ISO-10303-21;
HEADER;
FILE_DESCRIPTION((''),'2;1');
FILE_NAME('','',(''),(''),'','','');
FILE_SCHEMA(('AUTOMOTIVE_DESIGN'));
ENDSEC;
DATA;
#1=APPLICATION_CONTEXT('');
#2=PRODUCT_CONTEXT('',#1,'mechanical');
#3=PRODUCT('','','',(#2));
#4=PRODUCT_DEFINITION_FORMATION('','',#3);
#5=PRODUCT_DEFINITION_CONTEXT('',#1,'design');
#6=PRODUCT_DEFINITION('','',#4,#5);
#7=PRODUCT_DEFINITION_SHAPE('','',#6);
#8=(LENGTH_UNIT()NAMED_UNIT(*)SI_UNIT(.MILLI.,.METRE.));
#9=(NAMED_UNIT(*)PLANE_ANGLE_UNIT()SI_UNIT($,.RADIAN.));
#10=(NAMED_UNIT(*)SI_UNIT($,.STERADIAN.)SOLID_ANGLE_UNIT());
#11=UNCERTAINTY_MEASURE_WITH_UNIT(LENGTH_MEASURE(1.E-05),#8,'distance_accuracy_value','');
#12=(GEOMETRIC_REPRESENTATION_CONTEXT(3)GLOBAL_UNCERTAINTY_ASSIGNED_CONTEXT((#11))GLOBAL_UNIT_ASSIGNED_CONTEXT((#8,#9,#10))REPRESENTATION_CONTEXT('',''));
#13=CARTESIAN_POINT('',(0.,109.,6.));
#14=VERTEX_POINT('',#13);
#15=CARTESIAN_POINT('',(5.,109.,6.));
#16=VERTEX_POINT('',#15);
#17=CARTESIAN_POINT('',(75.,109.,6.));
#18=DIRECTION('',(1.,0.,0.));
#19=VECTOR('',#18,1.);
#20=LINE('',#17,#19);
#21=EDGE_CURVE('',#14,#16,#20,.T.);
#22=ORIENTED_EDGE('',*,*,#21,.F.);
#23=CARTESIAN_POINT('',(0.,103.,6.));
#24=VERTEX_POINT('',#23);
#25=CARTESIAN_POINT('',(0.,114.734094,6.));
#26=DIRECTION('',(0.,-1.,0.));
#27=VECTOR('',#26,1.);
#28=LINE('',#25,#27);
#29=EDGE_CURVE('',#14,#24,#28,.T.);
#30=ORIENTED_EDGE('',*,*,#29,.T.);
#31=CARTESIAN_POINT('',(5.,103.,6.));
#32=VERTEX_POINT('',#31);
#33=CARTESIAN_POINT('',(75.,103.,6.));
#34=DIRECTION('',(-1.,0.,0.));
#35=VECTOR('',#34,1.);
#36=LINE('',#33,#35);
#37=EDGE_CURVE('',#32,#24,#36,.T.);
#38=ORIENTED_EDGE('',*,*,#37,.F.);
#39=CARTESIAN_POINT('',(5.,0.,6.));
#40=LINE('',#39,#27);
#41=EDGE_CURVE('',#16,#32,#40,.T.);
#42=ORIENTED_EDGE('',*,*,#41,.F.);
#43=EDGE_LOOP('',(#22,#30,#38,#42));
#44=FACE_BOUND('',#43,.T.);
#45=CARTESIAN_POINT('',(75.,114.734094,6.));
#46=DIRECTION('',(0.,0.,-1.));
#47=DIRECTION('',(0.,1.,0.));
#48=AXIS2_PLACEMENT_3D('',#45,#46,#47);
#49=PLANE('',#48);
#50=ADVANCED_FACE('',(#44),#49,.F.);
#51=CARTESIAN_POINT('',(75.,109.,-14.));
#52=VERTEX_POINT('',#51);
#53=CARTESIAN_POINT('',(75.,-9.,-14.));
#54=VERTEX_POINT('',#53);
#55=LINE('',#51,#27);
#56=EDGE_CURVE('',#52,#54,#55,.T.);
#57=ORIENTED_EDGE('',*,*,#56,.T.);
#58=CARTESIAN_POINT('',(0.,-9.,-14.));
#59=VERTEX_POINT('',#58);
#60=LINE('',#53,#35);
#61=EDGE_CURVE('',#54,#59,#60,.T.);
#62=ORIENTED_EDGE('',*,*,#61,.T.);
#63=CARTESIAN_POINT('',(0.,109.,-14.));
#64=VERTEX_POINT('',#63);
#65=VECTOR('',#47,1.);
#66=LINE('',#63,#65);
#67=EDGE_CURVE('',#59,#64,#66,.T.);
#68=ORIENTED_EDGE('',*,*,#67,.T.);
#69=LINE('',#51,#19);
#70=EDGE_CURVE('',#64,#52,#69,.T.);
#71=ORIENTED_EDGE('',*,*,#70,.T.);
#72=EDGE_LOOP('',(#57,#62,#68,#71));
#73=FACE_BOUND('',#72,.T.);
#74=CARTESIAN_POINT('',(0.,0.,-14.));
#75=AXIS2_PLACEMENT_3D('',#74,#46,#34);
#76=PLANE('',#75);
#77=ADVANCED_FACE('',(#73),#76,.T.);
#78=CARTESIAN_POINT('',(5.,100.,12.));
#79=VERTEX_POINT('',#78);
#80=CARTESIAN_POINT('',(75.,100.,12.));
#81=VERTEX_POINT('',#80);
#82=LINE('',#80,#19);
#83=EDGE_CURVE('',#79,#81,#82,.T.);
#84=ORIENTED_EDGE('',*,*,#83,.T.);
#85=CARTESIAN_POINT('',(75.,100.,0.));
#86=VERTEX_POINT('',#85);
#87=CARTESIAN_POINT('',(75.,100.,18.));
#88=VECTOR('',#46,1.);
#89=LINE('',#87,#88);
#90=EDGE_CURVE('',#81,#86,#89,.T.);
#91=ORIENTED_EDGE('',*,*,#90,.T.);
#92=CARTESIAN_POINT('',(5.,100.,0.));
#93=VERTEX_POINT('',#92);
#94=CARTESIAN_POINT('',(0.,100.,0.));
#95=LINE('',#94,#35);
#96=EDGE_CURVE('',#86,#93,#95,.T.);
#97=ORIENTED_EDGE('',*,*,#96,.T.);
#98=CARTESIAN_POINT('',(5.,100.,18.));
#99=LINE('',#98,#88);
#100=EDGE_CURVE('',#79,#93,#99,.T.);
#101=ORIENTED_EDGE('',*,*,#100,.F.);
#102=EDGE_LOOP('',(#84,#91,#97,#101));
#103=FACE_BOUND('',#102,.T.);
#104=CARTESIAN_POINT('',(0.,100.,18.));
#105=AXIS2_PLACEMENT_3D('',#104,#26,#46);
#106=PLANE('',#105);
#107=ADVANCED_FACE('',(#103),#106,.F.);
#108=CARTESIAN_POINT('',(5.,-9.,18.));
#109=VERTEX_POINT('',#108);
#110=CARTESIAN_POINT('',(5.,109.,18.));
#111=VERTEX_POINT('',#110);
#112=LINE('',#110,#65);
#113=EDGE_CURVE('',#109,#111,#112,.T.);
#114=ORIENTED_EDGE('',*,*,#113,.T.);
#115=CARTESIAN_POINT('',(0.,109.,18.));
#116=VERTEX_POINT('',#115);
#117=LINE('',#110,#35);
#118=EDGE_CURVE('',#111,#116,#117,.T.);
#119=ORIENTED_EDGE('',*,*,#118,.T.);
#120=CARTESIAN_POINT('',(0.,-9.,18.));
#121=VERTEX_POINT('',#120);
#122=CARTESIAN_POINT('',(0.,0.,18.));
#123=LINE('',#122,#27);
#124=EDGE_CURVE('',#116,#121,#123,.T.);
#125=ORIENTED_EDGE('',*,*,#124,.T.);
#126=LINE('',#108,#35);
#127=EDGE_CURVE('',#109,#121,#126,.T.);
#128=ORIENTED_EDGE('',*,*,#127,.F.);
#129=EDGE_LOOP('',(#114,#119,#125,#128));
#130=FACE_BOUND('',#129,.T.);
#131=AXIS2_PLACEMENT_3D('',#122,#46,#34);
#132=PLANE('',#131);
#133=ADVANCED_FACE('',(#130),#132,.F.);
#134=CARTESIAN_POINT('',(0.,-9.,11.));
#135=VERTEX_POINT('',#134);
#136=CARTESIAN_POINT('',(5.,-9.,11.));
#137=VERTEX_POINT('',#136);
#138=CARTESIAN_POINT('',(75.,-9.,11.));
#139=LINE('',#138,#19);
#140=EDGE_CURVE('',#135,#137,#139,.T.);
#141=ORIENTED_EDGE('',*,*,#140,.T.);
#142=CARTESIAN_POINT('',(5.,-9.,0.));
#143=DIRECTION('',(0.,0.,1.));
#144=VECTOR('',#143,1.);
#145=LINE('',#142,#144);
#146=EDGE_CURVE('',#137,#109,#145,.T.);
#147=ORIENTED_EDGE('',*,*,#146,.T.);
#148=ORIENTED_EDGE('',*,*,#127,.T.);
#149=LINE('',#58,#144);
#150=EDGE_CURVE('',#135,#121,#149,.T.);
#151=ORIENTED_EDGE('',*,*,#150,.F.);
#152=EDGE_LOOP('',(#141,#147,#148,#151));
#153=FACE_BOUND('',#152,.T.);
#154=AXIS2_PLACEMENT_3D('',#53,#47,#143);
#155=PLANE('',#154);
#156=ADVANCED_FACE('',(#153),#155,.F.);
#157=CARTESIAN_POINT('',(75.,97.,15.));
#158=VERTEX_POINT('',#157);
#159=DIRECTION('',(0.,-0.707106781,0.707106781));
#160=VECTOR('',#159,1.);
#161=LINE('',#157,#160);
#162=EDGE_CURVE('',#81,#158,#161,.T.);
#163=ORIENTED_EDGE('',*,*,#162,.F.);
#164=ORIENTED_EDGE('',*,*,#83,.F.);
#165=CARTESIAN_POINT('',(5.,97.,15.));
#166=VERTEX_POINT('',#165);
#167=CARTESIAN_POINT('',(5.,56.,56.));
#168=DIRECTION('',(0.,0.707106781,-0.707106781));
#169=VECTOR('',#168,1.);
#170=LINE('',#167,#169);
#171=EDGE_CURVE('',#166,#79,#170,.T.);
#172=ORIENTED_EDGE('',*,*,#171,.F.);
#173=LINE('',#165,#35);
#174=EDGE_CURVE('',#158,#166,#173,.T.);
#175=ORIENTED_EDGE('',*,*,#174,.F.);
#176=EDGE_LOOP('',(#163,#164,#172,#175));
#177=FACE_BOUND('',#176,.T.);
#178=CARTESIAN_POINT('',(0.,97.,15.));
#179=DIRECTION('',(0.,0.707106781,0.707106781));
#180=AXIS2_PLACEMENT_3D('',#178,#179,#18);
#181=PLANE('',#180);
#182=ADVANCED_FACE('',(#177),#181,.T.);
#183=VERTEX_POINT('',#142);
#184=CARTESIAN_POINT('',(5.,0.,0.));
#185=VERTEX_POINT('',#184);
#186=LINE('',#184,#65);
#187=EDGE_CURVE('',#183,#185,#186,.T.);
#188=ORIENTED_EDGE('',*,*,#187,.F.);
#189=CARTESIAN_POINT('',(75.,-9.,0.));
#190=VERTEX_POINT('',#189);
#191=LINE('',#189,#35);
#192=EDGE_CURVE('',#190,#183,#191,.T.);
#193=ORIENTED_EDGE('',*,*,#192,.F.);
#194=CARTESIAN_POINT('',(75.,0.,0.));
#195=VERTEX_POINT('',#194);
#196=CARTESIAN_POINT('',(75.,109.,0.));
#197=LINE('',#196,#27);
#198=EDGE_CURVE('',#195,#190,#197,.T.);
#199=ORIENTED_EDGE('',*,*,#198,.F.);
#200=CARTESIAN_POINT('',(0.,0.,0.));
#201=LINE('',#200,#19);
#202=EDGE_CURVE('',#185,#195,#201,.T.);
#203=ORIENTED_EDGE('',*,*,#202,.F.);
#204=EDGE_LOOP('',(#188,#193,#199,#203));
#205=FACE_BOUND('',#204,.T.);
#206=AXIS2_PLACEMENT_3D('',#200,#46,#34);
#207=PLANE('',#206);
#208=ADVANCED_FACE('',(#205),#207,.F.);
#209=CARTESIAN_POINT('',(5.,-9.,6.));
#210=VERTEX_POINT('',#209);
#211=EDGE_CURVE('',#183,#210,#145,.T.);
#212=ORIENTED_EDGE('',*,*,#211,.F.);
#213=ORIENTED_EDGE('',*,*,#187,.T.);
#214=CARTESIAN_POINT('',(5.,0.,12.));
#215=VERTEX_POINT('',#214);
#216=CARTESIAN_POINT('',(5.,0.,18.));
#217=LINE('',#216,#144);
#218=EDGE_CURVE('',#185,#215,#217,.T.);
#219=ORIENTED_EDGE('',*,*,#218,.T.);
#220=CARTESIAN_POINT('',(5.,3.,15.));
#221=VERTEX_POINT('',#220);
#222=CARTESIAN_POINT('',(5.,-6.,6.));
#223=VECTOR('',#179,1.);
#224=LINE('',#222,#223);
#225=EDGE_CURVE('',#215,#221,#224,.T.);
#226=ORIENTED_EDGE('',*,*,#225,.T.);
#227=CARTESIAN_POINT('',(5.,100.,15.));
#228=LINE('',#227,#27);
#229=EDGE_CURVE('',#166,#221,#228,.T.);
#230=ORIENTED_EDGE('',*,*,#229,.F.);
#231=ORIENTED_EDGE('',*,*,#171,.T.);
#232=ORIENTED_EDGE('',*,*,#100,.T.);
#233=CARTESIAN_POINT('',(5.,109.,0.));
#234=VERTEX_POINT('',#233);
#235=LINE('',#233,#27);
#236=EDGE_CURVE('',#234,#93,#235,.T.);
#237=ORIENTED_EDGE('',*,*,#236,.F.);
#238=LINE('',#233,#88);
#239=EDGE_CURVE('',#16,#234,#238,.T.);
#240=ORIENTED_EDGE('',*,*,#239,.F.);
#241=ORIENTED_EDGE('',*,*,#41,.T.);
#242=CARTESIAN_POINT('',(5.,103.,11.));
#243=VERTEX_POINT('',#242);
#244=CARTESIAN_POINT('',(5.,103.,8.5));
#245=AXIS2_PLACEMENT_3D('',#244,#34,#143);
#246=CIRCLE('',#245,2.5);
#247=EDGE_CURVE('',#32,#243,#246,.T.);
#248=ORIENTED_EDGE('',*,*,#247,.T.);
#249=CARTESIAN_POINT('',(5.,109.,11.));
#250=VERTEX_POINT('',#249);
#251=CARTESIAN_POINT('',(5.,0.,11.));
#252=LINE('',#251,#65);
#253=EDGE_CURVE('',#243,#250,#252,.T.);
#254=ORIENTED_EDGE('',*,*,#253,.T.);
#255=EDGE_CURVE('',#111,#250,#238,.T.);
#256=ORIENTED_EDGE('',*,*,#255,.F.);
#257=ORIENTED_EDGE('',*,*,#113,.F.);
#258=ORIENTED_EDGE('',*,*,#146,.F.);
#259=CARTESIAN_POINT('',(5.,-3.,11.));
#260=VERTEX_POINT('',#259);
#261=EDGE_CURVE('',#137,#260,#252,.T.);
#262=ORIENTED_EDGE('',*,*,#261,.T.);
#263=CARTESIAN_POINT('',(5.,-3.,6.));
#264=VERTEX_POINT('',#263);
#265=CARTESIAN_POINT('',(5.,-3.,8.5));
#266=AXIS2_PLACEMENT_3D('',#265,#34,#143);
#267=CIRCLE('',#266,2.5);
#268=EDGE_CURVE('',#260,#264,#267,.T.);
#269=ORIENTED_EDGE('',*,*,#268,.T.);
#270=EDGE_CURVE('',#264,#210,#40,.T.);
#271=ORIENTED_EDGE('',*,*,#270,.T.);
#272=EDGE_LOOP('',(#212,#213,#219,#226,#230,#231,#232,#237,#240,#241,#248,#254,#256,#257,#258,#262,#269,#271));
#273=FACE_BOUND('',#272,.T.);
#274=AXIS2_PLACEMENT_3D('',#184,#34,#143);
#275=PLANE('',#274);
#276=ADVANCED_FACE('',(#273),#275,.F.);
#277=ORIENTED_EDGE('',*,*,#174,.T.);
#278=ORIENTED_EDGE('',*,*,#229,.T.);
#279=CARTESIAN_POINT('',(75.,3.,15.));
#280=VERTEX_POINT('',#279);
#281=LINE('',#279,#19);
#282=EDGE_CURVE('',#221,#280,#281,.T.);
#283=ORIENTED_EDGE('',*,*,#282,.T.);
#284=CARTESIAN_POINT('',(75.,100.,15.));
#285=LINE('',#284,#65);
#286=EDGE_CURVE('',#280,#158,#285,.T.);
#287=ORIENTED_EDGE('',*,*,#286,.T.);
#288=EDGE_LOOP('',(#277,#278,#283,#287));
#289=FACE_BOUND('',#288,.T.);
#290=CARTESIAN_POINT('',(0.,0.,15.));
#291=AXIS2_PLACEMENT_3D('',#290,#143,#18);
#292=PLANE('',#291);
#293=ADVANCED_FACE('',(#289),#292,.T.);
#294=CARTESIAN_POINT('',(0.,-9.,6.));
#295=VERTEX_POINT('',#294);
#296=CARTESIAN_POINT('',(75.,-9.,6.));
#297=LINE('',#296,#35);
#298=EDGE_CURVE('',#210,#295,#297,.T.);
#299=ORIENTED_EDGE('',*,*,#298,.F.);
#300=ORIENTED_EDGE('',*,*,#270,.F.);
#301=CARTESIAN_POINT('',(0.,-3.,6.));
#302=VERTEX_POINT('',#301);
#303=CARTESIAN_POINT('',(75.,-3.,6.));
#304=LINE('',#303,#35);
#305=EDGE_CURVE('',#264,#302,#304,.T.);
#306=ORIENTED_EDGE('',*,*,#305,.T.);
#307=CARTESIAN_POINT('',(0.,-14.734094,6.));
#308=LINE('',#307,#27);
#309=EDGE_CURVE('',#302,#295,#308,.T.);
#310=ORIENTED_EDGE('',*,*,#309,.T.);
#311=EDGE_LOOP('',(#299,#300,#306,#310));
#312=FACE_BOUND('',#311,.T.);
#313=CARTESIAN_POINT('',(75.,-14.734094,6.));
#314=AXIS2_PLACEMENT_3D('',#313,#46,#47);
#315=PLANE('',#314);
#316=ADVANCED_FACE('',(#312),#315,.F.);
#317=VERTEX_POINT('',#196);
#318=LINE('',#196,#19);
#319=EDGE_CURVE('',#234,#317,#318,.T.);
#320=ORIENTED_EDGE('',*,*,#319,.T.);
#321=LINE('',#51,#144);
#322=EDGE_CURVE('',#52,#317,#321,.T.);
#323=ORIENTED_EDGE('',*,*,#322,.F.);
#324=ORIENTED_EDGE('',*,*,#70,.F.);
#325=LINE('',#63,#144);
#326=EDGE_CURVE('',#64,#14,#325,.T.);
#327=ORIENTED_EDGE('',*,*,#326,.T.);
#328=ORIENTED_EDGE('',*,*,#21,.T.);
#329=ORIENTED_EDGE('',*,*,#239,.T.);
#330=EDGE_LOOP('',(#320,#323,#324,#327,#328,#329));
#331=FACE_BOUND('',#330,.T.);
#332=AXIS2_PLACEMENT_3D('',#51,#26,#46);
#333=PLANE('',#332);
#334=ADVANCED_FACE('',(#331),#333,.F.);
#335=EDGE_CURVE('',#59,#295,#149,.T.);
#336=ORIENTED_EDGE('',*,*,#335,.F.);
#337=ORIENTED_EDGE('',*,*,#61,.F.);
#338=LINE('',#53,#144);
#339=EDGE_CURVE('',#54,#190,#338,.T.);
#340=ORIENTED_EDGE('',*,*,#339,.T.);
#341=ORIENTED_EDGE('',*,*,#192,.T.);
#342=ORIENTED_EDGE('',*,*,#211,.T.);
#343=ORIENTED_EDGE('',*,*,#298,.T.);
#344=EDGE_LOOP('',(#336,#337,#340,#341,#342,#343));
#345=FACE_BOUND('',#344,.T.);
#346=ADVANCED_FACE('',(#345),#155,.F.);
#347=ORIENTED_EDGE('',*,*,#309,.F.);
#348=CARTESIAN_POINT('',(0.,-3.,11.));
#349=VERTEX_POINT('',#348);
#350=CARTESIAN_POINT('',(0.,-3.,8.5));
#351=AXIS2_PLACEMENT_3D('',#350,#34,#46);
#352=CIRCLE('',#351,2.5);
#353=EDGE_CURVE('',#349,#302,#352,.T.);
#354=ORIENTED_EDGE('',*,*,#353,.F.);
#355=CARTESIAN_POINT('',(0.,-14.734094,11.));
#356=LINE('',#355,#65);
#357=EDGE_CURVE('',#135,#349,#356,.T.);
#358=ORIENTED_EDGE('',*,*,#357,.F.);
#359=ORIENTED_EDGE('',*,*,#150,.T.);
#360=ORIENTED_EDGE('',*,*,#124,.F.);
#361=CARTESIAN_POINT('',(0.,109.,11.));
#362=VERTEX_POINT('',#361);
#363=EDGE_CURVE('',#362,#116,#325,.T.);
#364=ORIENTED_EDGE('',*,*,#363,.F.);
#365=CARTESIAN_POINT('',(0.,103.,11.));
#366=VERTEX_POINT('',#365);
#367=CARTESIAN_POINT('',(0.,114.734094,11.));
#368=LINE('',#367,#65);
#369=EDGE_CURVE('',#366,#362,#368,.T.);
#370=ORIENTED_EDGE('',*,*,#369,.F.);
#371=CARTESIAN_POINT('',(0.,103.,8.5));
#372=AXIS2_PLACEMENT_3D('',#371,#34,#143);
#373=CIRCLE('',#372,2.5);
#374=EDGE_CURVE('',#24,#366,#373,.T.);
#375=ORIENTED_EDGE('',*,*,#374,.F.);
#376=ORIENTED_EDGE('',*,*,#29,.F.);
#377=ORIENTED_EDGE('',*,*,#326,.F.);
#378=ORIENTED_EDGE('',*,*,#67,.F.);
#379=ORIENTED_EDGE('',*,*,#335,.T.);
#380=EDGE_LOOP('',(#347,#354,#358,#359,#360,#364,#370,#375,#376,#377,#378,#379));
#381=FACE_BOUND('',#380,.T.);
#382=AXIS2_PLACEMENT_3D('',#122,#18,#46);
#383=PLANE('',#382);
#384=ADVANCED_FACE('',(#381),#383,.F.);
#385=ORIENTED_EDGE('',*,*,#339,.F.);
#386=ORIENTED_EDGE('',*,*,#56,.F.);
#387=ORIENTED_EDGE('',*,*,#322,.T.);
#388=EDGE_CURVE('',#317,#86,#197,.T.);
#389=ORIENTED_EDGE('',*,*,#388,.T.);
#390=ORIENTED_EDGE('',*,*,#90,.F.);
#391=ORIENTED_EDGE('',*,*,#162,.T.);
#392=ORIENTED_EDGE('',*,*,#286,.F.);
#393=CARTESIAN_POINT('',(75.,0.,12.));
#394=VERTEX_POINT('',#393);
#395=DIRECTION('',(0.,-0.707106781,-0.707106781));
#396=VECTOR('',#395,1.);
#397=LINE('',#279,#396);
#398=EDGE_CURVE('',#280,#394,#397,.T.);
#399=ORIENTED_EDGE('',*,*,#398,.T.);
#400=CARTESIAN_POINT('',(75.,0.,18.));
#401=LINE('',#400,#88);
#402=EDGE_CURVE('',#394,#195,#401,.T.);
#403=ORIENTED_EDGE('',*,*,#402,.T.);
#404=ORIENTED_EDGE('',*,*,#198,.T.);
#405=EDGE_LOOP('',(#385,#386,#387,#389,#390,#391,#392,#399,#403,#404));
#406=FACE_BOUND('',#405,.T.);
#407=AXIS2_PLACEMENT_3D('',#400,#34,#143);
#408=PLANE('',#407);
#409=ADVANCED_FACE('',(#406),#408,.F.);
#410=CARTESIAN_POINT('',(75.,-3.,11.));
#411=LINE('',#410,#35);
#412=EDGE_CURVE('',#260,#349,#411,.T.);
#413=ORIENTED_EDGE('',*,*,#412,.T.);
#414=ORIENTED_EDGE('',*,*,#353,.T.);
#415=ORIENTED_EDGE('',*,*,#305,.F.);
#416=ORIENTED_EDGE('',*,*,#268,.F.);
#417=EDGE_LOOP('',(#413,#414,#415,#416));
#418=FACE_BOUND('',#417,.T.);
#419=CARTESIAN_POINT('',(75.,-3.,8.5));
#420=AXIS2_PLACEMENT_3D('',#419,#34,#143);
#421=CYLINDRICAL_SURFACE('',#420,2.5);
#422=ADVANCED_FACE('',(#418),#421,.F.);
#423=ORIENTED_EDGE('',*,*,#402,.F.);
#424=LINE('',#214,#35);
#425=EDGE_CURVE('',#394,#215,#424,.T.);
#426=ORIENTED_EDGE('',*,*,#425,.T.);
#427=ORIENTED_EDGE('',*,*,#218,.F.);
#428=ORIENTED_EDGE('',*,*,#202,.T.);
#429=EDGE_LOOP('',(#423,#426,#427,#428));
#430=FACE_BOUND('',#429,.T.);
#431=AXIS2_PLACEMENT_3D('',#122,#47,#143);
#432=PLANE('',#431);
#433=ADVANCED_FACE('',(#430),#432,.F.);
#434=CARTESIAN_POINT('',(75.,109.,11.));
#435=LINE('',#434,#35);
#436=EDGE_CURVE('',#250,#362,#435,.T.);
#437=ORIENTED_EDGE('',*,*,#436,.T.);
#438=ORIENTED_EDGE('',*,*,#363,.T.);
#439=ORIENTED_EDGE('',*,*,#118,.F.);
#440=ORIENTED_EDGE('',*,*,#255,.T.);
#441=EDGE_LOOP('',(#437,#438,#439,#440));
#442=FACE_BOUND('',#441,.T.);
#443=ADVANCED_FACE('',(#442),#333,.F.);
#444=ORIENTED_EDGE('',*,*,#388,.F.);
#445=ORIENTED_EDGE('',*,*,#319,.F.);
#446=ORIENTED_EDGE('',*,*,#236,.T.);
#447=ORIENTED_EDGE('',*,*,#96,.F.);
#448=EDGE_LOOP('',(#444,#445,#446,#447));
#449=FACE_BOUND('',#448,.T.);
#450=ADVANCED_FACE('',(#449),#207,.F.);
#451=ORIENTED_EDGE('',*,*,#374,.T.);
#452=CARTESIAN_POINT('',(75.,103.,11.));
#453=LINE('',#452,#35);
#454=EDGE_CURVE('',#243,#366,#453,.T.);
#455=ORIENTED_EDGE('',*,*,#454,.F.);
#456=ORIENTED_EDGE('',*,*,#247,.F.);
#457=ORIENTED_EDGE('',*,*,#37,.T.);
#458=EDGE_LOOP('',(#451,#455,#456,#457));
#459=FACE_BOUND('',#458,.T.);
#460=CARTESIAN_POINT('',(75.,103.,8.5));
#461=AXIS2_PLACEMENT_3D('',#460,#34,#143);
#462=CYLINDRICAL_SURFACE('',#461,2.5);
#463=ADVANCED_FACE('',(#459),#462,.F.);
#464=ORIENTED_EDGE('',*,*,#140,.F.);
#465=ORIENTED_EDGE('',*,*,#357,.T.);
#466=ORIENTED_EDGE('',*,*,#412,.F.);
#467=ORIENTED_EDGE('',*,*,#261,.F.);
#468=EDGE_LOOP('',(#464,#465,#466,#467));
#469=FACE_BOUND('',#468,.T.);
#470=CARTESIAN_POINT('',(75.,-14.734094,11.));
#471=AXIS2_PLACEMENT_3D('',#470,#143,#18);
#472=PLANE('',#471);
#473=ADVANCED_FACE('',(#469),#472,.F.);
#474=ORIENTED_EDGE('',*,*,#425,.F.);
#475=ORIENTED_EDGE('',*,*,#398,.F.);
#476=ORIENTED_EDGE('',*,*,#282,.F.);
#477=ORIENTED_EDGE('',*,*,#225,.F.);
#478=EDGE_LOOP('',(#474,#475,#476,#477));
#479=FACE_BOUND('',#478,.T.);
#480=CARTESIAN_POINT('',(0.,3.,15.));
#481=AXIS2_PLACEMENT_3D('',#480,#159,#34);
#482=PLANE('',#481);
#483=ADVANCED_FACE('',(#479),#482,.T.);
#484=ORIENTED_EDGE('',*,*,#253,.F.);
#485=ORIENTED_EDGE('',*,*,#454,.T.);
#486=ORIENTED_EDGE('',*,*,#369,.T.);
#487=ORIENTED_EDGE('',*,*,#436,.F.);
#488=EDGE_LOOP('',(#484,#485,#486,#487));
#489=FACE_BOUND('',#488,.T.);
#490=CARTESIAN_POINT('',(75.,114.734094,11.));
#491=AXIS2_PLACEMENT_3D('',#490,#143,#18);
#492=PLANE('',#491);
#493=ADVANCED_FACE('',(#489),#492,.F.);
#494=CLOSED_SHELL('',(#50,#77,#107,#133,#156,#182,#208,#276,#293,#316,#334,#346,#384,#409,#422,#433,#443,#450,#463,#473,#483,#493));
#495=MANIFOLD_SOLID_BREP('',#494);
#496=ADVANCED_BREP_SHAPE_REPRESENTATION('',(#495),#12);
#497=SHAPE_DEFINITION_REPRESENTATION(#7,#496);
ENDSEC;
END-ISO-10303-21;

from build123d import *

# Parameters (mm, degrees)
SKETCH_1_W          = 75
SKETCH_1_H          = 100
EXTRUDE_1_DEPTH     = 18
SKETCH_2_W          = 75
SKETCH_2_H          = 118
EXTRUDE_2_DEPTH     = 14
SKETCH_3_W          = 18
SKETCH_3_H          = 118
EXTRUDE_3_DEPTH     = 5
CUT_EXTRUDE_1_DEPTH = 134.529023062
SKETCH_5_W          = 70
SKETCH_5_H          = 100
CUT_EXTRUDE_2_DEPTH = 3
CHAMFER_1_SIZE      = 3


with BuildPart() as part:
    # Эскиз1 → Бобышка-Вытянуть1 (new body)
    with BuildSketch(Plane.XY):
        with Locations((37.5, 50)):
            Rectangle(SKETCH_1_W, SKETCH_1_H)
    extrude(amount=EXTRUDE_1_DEPTH)

    # Эскиз2 → Бобышка-Вытянуть2 (add)
    with BuildSketch(Plane(origin=(0, 0, 0), x_dir=(-1, 0, 0), z_dir=(0, 0, -1))):
        with Locations((-37.5, 50)):
            Rectangle(SKETCH_2_W, SKETCH_2_H)
    extrude(amount=EXTRUDE_2_DEPTH)

    # Эскиз3 → Бобышка-Вытянуть3 (add)
    with BuildSketch(Plane.ZY):
        with Locations((9, 50)):
            Rectangle(SKETCH_3_W, SKETCH_3_H)
    extrude(amount=-EXTRUDE_3_DEPTH)

    # Эскиз4 → Вырез-Вытянуть1 (cut, through all)
    with BuildSketch(Plane.ZY):
        with BuildLine():
            Line((11, 114.734094435), (11, 103))
            ThreePointArc((11, 103), (8.5, 100.5), (6, 103))
            Line((6, 103), (6, 114.734094435))
            ThreePointArc((6, 114.734094435), (8.5, 117.234094435), (11, 114.734094435))
        make_face()
        with BuildLine():
            Line((11, -14.734094435), (11, -3))
            ThreePointArc((11, -3), (8.5, -0.5), (6, -3))
            Line((6, -3), (6, -14.734094435))
            ThreePointArc((6, -14.734094435), (8.5, -17.234094435), (11, -14.734094435))
        make_face()
    extrude(amount=-CUT_EXTRUDE_1_DEPTH, mode=Mode.SUBTRACT)

    # Эскиз5 → Вырез-Вытянуть2 (cut)
    with BuildSketch(Plane.XY.offset(18)):
        with Locations((40, 50)):
            Rectangle(SKETCH_5_W, SKETCH_5_H)
    extrude(amount=-CUT_EXTRUDE_2_DEPTH, mode=Mode.SUBTRACT)

    # Фаска1
    chamfer_1_edges = [part.edges().sort_by_distance(p)[0] for p in [
        (40, 100, 15),
        (40, 0, 15),
    ]]
    chamfer(chamfer_1_edges, length=CHAMFER_1_SIZE)


solid = part.part
